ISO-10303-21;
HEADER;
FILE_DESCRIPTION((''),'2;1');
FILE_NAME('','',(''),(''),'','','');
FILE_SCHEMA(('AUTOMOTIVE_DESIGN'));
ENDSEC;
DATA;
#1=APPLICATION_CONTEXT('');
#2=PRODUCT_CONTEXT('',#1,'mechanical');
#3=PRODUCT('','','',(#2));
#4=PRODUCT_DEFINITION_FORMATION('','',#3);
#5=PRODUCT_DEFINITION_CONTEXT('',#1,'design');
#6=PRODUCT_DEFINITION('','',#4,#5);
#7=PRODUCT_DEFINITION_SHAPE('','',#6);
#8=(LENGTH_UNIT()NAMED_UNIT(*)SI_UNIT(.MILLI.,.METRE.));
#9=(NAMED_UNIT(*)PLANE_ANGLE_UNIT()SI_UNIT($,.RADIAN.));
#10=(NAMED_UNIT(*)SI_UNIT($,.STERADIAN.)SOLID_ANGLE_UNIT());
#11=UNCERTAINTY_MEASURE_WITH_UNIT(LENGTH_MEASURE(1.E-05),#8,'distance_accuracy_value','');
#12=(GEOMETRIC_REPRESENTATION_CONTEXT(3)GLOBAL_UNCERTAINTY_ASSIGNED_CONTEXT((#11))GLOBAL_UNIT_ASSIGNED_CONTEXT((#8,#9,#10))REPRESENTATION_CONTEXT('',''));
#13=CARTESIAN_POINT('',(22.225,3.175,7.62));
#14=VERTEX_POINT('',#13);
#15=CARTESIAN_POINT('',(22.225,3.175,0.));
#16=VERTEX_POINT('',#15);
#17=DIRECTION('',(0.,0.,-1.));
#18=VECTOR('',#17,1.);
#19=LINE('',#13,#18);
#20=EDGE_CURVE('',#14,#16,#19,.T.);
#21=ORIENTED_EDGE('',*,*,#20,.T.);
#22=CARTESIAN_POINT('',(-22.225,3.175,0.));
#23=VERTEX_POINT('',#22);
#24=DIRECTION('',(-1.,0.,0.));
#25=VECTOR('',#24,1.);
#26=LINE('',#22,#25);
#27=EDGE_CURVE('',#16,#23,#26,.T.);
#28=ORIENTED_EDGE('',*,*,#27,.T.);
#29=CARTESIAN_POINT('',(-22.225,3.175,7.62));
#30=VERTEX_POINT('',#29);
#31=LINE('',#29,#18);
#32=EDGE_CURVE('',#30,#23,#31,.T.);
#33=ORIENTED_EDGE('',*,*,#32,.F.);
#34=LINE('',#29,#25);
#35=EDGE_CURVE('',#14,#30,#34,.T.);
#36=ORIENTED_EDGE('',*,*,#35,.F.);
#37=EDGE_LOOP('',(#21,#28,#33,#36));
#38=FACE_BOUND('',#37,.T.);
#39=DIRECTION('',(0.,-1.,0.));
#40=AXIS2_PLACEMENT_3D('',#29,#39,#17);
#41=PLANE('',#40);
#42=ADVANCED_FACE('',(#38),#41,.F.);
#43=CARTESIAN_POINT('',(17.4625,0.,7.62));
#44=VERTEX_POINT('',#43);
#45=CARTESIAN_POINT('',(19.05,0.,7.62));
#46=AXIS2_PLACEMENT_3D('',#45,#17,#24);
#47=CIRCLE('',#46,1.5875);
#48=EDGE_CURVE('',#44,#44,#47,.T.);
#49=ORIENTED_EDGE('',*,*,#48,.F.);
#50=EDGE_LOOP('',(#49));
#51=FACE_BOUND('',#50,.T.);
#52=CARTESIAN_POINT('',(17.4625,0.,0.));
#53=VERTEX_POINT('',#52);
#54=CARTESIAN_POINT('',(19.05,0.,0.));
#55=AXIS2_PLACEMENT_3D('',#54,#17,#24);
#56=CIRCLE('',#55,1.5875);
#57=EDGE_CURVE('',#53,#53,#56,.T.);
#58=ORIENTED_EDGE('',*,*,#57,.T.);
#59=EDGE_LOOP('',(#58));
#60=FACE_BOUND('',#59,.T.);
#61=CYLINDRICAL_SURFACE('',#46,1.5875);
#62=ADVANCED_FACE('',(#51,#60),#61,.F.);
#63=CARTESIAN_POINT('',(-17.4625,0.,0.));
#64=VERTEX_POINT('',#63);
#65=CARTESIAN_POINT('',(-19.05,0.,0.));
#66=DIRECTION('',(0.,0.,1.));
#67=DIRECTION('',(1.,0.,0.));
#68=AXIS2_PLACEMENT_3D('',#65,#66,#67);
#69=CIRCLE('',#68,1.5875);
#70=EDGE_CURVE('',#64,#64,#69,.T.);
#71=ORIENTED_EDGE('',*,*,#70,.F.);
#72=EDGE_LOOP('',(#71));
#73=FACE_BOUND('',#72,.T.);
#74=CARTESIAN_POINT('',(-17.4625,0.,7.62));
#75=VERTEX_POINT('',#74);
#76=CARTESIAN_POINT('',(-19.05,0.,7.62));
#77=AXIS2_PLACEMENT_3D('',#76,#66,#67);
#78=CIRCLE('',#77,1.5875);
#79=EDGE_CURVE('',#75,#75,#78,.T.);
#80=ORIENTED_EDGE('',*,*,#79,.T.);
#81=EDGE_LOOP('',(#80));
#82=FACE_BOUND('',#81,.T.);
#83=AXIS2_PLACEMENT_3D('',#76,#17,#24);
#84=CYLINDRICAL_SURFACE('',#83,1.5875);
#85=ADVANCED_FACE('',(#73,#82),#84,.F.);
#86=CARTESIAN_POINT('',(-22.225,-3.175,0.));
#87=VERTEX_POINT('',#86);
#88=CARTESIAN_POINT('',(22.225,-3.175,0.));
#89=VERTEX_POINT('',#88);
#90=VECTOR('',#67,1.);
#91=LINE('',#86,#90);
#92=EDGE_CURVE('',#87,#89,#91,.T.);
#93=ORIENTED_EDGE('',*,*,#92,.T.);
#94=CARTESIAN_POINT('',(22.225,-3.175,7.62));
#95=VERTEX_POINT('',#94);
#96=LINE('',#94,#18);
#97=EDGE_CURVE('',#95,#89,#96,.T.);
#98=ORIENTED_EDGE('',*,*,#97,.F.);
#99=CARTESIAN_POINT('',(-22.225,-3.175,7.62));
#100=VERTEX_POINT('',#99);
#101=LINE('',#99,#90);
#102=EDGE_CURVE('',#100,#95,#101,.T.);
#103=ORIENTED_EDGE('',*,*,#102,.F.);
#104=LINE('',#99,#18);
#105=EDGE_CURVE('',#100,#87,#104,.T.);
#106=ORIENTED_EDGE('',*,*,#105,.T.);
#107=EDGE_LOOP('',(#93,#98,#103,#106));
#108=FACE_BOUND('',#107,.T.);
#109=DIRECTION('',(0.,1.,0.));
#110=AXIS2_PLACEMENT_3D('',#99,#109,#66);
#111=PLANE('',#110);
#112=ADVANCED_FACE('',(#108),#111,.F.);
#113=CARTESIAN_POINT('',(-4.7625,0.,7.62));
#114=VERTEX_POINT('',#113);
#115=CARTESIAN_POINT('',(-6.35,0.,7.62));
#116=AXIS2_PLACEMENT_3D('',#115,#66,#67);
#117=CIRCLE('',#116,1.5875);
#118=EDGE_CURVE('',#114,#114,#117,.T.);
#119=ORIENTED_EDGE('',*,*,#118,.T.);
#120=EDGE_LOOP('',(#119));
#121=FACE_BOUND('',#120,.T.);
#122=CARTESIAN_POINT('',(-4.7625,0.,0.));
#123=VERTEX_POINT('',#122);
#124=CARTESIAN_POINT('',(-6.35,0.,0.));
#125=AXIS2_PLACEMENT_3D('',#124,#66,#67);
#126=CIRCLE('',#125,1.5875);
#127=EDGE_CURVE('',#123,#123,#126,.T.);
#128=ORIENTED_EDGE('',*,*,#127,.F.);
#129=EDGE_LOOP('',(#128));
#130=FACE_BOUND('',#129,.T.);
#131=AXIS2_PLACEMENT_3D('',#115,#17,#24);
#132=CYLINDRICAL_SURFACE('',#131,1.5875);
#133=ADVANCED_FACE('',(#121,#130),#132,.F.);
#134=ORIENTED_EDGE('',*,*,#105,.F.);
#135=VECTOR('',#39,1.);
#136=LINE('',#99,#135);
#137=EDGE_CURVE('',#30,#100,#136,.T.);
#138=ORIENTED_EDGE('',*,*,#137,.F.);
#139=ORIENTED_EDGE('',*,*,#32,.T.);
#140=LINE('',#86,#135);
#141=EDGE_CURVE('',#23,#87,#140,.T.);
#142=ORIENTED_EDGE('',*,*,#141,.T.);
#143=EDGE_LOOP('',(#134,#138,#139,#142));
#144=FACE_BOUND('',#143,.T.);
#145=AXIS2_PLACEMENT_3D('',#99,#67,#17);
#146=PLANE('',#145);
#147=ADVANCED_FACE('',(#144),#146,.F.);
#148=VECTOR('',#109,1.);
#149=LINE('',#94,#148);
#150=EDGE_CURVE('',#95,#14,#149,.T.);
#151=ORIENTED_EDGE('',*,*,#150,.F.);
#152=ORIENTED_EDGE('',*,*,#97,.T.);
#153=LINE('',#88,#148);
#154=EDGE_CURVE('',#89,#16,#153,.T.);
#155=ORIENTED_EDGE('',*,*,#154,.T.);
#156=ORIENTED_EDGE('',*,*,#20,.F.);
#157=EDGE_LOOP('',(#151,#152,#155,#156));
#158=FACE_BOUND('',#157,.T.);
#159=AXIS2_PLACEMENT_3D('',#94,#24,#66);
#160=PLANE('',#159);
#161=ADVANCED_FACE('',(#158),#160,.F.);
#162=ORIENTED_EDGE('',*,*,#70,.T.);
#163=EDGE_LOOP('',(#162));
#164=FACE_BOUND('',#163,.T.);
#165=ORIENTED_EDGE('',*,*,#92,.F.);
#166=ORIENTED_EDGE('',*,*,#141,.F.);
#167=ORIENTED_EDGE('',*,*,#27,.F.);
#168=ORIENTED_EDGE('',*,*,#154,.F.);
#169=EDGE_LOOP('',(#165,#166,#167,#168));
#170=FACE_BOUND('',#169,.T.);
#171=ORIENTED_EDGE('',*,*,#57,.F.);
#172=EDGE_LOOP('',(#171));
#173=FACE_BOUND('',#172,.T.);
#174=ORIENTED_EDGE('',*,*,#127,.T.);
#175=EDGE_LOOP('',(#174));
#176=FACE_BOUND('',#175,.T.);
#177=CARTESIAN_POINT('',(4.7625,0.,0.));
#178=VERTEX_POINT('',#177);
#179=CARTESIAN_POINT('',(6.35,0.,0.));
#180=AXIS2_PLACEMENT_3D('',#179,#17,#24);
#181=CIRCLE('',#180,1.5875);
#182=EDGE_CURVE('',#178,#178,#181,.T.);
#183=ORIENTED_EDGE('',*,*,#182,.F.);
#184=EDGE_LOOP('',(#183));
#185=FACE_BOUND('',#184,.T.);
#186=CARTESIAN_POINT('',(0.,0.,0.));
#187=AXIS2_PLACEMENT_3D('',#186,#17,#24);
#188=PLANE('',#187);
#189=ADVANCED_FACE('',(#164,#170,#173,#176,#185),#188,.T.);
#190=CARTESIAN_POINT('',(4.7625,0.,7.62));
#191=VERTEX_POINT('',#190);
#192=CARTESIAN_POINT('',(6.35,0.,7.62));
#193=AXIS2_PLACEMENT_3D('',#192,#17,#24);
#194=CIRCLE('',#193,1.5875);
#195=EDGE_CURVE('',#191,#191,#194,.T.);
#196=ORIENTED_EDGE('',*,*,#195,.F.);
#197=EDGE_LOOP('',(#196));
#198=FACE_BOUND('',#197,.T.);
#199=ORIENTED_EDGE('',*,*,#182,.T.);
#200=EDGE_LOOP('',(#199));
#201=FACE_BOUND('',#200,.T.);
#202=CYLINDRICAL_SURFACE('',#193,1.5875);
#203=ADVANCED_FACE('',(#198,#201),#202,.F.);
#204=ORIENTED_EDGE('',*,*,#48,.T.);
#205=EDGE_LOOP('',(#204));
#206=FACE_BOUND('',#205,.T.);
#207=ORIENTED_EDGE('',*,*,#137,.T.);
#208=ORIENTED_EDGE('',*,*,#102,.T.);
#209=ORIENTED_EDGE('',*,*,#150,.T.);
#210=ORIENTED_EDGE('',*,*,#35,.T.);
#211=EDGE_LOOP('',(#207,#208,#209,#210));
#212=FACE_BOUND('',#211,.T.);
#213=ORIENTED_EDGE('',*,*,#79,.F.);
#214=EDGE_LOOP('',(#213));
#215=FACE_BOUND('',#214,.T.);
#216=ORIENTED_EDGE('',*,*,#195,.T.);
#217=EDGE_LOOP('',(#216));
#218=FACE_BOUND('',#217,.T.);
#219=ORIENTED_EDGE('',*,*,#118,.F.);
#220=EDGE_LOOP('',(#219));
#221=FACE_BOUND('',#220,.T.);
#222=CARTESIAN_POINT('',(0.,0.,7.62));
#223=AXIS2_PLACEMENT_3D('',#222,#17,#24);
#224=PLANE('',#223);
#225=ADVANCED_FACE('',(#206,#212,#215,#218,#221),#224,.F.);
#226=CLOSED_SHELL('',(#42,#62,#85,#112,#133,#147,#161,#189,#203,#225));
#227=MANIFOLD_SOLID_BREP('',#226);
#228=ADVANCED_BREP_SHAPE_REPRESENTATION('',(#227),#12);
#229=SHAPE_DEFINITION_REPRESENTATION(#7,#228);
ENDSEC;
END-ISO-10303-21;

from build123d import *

# Parameters (mm, degrees)
SKETCH2_W           = 44.45
SKETCH2_H           = 6.35
BOSS_EXTRUDE1_DEPTH = 7.62
SKETCH4_R           = 1.5875
CUT_EXTRUDE2_DEPTH  = 8.62


with BuildPart() as part:
    # Sketch2 → Boss-Extrude1 (new body)
    with BuildSketch(Plane.XY):
        Rectangle(SKETCH2_W, SKETCH2_H)
    extrude(amount=BOSS_EXTRUDE1_DEPTH)

    # Sketch4 → Cut-Extrude2 (cut, through all)
    with BuildSketch(Plane(origin=(0, 0, 0), x_dir=(-1, 0, 0), z_dir=(0, 0, -1))):
        with Locations((-6.35, 0)):
            Circle(SKETCH4_R)
        with Locations((-19.05, 0)):
            Circle(SKETCH4_R)
    cut_extrude2 = extrude(amount=-CUT_EXTRUDE2_DEPTH, mode=Mode.SUBTRACT)

    # Mirror2: Cut-Extrude2 across plane
    add(cut_extrude2.mirror(Plane(origin=(0, 0, 0), x_dir=(0, 0, 1), z_dir=(1, 0, 0))), mode=Mode.SUBTRACT)


solid = part.part
